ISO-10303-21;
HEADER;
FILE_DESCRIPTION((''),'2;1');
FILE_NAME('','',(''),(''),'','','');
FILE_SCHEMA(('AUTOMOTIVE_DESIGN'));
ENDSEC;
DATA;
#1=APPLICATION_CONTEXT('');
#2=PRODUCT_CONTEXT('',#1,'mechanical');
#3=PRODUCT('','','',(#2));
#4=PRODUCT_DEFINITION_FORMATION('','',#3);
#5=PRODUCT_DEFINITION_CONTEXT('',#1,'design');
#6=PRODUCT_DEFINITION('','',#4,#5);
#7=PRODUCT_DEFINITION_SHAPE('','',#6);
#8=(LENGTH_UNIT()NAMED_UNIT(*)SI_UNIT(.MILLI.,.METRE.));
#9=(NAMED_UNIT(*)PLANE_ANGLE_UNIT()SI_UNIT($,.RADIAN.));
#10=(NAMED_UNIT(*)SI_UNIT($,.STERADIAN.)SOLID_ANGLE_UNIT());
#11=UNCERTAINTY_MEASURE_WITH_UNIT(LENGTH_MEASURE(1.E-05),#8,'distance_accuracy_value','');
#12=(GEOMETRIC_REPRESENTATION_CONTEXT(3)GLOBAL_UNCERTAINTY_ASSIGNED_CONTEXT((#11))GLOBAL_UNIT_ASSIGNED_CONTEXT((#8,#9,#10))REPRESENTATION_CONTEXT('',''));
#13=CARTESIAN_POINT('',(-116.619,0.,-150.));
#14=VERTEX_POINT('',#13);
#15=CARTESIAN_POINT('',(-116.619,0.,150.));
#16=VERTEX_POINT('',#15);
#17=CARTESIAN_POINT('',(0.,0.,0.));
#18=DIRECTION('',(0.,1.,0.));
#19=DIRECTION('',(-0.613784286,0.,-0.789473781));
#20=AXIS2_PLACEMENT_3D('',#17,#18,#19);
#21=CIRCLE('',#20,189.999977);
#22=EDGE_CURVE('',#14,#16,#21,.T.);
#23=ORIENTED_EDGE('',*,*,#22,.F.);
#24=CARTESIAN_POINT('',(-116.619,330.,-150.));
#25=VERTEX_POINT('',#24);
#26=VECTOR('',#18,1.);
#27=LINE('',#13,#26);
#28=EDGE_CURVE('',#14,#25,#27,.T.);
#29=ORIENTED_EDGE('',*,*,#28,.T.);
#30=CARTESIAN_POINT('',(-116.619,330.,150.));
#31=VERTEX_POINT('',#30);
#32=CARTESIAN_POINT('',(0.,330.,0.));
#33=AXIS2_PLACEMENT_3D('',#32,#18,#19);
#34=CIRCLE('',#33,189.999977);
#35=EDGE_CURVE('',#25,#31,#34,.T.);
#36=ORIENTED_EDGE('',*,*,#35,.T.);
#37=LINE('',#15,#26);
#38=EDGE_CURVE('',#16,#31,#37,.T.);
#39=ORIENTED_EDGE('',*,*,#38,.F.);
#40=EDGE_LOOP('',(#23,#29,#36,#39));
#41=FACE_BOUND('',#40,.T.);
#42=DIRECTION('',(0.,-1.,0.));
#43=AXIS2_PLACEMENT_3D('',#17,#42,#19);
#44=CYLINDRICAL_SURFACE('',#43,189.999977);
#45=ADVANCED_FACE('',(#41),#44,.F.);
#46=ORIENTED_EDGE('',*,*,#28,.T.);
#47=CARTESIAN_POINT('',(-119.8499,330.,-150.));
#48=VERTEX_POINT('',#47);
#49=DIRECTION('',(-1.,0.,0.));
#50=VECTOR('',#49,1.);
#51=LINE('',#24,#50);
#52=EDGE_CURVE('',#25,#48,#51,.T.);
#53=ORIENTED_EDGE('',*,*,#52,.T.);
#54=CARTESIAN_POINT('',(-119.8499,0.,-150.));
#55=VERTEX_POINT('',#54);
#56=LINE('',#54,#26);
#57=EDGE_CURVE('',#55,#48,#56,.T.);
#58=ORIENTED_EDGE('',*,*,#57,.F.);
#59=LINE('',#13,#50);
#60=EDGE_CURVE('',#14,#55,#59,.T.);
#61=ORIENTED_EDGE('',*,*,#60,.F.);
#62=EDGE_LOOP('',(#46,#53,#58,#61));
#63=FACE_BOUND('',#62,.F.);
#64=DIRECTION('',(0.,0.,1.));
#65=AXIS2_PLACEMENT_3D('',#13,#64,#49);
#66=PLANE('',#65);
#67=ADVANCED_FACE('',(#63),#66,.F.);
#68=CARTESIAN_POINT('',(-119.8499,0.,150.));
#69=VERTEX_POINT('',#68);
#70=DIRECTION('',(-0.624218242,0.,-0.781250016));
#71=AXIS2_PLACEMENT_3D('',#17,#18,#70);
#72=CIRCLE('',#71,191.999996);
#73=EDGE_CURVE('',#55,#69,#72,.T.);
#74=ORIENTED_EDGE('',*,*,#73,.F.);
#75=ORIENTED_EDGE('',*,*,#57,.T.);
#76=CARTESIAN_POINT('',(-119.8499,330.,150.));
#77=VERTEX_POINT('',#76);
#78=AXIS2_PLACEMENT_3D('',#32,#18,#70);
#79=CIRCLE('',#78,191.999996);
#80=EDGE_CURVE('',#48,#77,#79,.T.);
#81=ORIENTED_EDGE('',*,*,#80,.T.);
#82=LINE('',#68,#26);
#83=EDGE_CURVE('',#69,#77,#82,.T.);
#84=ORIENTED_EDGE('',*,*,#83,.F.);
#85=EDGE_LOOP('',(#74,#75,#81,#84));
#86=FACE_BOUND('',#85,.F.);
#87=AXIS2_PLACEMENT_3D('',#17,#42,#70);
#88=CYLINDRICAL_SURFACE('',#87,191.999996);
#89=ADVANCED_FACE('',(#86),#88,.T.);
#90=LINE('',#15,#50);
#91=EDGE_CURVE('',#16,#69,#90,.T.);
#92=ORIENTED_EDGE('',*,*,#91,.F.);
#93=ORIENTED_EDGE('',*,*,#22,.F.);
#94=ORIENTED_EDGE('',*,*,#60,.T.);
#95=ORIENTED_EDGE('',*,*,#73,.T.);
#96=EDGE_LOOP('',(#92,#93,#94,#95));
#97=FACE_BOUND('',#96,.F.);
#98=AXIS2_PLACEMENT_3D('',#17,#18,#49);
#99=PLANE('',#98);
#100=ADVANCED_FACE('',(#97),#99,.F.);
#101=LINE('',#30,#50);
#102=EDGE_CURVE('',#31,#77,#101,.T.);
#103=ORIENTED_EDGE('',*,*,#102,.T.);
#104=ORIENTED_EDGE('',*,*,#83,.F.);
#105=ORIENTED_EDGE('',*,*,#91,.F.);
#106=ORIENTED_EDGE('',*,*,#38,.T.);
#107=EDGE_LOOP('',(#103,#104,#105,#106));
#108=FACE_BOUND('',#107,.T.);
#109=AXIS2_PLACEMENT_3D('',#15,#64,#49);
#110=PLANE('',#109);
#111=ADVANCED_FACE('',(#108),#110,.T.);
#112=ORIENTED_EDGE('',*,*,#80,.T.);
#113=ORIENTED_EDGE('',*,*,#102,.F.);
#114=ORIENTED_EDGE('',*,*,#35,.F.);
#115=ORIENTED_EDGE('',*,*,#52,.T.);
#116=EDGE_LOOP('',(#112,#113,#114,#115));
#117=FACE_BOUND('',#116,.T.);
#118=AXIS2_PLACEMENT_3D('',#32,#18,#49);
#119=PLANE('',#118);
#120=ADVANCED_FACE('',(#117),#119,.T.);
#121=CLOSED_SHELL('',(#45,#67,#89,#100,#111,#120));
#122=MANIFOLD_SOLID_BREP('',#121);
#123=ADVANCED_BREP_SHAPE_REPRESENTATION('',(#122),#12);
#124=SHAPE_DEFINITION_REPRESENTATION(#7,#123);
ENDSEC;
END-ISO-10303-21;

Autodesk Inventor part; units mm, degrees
ref_plane "YZ Plane" through (0, 0, 0) normal (1, 0, 0) x (0, 1, 0)
ref_plane "XZ Plane" through (0, 0, 0) normal (0, 1, 0) x (-1, 0, 0)
ref_plane "XY Plane" through (0, 0, 0) normal (0, 0, 1) x (1, 0, 0)
sketch "Sketch1" plane through (0, 0, 0) normal (0, 1, 0) x (-1, 0, 0)
  arc A0 (119.8499, -150) -> (119.8499, 150) centre (0, 0) ccw
  line L0 (-197.4383, 150) -> (116.619, 150) construction
  line L1 (-197.4383, -150) -> (116.619, -150) construction
  line L2 (116.619, -150) -> (119.8499, -150)
  line L3 (116.619, 150) -> (119.8499, 150)
  arc A1 (116.619, -150) -> (116.619, 150) centre (0, 0) ccw
  line L4 (0, 0) -> (113.5232, 0) construction
  dimension "d2" = 300
  dimension "d3" = 190
  dimension "d4" = 2
extrude "Extrusion1" add sketch "Sketch1" along normal blind 330
equation "\"d2\" = Chassis_Body_Length"
equation "\"d3\" = 0.5 * Chassis_Body_Diameter"
equation "\"d4\" = SideRound_Thickness"
equation "\"Chassis_Body_Length\" = 300"
equation "\"Chassis_Body_Diameter\" = 380"
equation "\"SideRound_Thickness\" = 2"
properties part number "SideRound" material "PMMA Plastic"
